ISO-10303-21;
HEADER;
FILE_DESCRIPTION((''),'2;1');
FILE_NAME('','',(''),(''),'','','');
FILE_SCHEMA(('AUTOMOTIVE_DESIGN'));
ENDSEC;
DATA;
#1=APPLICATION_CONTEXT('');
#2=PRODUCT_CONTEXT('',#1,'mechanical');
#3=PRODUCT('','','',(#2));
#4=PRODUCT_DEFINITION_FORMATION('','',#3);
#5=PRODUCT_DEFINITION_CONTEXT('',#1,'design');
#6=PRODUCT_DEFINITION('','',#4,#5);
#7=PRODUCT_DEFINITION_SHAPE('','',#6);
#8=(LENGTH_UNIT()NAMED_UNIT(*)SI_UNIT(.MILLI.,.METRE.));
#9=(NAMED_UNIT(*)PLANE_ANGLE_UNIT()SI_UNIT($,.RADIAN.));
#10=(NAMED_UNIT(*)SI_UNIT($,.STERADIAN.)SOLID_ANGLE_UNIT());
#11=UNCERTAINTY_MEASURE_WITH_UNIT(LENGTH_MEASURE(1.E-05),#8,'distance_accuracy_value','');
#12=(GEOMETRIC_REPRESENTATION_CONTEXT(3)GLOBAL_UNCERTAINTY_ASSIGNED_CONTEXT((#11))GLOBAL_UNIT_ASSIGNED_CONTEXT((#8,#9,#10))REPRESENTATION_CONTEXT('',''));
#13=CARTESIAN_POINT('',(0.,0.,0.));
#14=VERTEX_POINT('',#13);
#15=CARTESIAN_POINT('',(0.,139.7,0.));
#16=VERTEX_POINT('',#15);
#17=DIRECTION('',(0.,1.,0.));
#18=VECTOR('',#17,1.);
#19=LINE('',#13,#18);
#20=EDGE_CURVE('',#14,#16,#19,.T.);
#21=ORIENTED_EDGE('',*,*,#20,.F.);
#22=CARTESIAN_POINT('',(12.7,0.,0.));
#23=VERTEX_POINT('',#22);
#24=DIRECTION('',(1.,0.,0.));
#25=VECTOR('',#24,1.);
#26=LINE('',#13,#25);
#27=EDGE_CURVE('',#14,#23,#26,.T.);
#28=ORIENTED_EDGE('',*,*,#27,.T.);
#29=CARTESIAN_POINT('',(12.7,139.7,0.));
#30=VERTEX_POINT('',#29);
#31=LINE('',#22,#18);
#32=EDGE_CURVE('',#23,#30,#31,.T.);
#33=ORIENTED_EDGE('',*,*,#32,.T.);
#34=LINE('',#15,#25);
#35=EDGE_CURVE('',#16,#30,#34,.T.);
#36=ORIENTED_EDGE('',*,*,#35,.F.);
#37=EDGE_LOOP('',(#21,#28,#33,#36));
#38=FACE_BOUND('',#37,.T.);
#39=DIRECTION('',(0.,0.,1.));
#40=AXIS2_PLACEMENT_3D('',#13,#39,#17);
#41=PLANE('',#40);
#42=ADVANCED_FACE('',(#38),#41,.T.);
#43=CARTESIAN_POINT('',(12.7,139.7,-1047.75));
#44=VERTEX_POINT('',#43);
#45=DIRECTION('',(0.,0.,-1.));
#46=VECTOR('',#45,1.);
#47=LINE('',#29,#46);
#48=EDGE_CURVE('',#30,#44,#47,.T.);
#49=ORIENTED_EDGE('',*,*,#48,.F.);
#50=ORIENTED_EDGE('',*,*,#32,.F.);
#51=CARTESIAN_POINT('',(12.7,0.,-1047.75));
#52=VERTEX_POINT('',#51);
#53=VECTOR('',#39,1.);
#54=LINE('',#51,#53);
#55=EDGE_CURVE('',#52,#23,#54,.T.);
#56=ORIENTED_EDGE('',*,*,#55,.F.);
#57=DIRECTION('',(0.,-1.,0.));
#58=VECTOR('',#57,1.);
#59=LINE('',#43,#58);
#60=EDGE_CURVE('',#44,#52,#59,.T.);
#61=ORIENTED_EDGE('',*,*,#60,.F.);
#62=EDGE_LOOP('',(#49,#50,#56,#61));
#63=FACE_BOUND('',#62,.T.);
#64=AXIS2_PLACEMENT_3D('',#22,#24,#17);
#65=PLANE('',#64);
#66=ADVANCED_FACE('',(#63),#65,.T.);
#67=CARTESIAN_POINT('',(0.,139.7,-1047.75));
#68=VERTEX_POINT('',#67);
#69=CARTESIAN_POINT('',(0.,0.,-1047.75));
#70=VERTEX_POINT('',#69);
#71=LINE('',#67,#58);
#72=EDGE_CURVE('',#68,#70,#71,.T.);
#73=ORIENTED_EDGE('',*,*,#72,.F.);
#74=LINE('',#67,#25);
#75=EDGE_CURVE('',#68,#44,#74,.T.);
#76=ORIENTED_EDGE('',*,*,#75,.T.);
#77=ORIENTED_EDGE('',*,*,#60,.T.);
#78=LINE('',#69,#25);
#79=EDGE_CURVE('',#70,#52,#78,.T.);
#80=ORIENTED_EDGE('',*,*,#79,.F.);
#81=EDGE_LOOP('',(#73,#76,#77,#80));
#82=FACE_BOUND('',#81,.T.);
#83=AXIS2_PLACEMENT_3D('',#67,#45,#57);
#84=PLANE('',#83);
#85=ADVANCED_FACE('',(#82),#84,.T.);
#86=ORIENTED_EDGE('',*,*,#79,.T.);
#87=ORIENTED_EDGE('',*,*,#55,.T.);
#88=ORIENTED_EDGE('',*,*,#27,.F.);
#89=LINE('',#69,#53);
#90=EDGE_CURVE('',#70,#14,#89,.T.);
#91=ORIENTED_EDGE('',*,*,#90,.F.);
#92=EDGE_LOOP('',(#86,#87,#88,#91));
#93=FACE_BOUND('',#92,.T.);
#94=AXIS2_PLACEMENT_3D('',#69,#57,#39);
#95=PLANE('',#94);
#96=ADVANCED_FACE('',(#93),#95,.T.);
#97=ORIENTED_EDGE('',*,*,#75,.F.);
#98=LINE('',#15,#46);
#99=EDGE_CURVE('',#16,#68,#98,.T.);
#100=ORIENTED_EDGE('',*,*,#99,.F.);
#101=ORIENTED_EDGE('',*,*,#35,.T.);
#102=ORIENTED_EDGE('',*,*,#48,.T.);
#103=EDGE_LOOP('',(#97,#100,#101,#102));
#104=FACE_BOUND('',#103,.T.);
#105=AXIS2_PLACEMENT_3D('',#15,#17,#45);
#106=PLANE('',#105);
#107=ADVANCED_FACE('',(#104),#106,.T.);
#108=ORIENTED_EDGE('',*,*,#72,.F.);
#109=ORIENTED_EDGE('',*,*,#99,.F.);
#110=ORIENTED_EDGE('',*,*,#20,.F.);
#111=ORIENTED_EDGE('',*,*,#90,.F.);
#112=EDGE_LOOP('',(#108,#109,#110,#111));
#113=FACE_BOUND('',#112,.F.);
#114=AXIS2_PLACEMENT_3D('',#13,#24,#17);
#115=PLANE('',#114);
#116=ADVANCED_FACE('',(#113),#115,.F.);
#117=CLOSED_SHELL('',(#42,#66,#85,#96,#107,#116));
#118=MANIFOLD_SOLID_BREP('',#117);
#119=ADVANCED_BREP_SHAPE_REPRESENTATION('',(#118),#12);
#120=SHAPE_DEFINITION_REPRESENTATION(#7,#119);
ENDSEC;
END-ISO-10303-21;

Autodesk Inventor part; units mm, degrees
ref_plane "YZ Plane" through (0, 0, 0) normal (1, 0, 0) x (0, 1, 0)
ref_plane "XZ Plane" through (0, 0, 0) normal (0, 1, 0) x (-1, 0, 0)
ref_plane "XY Plane" through (0, 0, 0) normal (0, 0, 1) x (1, 0, 0)
sketch "Sketch1" plane through (0, 0, 0) normal (1, 0, 0) x (0, 1, 0)
  line L0 (0, 0) -> (139.7, 0)
  line L1 (139.7, 0) -> (139.7, -1047.75)
  line L2 (139.7, -1047.75) -> (0, -1047.75)
  line L3 (0, -1047.75) -> (0, 0)
  dimension "d1" = 1047.75
  dimension "d4" = 139.7
extrude "Extrusion1" add sketch "Sketch1" along normal blind 12.7
properties part number "Header_With_Dimensions_0.5_x_5.5_x_66.5_Inches" material "Wood (Birch)"
